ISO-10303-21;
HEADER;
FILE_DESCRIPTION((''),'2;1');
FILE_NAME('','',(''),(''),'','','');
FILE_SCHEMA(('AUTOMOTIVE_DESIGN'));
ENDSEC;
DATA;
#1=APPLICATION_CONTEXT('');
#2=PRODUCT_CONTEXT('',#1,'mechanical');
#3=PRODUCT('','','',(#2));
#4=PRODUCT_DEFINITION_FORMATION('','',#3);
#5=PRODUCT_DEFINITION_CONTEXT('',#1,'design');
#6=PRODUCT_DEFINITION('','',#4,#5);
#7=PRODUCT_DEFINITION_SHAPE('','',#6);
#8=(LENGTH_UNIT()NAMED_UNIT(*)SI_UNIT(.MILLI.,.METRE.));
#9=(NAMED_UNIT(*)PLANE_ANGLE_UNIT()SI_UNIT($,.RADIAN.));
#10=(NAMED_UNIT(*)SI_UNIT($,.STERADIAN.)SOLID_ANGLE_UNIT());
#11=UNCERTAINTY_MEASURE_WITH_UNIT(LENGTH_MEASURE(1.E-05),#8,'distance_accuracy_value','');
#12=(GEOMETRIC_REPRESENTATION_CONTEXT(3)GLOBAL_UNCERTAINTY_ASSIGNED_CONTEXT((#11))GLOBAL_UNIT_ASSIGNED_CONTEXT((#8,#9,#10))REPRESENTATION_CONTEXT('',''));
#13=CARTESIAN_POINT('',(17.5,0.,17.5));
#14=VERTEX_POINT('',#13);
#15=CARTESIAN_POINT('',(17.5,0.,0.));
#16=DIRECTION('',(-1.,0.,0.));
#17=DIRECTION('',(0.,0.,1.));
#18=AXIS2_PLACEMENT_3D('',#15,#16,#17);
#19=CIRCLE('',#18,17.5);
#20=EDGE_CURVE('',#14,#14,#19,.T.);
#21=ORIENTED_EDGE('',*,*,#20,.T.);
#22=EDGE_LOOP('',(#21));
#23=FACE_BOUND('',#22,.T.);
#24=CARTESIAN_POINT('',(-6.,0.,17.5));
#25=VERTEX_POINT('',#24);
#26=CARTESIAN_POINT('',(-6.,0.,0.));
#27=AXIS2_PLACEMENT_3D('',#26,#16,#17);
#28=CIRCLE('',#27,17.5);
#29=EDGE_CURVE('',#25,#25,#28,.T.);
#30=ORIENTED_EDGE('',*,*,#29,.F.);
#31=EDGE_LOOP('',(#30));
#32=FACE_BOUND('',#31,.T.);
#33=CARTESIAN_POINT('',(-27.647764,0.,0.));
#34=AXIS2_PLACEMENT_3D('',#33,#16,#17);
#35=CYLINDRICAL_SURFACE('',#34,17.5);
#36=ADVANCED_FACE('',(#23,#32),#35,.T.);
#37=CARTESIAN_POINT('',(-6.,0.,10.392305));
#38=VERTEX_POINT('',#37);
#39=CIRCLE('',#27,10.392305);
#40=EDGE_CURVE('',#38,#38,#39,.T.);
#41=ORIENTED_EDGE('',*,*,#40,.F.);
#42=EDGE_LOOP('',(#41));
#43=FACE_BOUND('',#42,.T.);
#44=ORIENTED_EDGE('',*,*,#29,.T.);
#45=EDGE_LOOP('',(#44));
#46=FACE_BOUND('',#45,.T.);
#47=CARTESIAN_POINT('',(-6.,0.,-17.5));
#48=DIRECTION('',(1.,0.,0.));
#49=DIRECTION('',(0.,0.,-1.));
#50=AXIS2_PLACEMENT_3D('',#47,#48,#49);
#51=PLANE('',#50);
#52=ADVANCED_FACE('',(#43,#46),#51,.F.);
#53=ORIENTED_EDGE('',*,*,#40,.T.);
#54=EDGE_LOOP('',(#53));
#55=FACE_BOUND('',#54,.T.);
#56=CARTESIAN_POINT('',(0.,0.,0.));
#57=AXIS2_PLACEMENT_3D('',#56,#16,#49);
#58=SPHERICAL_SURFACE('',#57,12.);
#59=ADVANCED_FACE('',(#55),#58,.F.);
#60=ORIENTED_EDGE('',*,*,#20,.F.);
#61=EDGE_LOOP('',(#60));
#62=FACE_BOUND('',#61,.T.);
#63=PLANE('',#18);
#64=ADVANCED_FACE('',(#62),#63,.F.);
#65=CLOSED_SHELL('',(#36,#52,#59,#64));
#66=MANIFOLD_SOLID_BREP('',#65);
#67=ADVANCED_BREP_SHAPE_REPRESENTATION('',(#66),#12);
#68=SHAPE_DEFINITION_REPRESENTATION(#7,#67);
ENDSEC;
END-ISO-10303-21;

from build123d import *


with BuildPart() as part:
    # Sketch1 → Revolve7 (revolve)
    with BuildSketch(Plane(origin=(0, 0, 0), x_dir=(1, 0, 0), z_dir=(0, 1, 0)), mode=Mode.PRIVATE) as revolve7_sk:
        with BuildLine():
            Line((17.5, 17.5), (-6, 17.5))
            Line((-6, 17.5), (-6, 10.392304845))
            ThreePointArc((-6, 10.392304845), (6, 10.392304845), (12, 0))
            Line((12, 0), (17.5, 0))
            Line((17.5, 0), (17.5, 17.5))
        make_face()
    revolve(revolve7_sk.sketch.rotate(Axis((-27.647764471, 0, 0), (1, 0, 0)), 180), axis=Axis((-27.647764471, 0, 0), (1, 0, 0)))


solid = part.part
